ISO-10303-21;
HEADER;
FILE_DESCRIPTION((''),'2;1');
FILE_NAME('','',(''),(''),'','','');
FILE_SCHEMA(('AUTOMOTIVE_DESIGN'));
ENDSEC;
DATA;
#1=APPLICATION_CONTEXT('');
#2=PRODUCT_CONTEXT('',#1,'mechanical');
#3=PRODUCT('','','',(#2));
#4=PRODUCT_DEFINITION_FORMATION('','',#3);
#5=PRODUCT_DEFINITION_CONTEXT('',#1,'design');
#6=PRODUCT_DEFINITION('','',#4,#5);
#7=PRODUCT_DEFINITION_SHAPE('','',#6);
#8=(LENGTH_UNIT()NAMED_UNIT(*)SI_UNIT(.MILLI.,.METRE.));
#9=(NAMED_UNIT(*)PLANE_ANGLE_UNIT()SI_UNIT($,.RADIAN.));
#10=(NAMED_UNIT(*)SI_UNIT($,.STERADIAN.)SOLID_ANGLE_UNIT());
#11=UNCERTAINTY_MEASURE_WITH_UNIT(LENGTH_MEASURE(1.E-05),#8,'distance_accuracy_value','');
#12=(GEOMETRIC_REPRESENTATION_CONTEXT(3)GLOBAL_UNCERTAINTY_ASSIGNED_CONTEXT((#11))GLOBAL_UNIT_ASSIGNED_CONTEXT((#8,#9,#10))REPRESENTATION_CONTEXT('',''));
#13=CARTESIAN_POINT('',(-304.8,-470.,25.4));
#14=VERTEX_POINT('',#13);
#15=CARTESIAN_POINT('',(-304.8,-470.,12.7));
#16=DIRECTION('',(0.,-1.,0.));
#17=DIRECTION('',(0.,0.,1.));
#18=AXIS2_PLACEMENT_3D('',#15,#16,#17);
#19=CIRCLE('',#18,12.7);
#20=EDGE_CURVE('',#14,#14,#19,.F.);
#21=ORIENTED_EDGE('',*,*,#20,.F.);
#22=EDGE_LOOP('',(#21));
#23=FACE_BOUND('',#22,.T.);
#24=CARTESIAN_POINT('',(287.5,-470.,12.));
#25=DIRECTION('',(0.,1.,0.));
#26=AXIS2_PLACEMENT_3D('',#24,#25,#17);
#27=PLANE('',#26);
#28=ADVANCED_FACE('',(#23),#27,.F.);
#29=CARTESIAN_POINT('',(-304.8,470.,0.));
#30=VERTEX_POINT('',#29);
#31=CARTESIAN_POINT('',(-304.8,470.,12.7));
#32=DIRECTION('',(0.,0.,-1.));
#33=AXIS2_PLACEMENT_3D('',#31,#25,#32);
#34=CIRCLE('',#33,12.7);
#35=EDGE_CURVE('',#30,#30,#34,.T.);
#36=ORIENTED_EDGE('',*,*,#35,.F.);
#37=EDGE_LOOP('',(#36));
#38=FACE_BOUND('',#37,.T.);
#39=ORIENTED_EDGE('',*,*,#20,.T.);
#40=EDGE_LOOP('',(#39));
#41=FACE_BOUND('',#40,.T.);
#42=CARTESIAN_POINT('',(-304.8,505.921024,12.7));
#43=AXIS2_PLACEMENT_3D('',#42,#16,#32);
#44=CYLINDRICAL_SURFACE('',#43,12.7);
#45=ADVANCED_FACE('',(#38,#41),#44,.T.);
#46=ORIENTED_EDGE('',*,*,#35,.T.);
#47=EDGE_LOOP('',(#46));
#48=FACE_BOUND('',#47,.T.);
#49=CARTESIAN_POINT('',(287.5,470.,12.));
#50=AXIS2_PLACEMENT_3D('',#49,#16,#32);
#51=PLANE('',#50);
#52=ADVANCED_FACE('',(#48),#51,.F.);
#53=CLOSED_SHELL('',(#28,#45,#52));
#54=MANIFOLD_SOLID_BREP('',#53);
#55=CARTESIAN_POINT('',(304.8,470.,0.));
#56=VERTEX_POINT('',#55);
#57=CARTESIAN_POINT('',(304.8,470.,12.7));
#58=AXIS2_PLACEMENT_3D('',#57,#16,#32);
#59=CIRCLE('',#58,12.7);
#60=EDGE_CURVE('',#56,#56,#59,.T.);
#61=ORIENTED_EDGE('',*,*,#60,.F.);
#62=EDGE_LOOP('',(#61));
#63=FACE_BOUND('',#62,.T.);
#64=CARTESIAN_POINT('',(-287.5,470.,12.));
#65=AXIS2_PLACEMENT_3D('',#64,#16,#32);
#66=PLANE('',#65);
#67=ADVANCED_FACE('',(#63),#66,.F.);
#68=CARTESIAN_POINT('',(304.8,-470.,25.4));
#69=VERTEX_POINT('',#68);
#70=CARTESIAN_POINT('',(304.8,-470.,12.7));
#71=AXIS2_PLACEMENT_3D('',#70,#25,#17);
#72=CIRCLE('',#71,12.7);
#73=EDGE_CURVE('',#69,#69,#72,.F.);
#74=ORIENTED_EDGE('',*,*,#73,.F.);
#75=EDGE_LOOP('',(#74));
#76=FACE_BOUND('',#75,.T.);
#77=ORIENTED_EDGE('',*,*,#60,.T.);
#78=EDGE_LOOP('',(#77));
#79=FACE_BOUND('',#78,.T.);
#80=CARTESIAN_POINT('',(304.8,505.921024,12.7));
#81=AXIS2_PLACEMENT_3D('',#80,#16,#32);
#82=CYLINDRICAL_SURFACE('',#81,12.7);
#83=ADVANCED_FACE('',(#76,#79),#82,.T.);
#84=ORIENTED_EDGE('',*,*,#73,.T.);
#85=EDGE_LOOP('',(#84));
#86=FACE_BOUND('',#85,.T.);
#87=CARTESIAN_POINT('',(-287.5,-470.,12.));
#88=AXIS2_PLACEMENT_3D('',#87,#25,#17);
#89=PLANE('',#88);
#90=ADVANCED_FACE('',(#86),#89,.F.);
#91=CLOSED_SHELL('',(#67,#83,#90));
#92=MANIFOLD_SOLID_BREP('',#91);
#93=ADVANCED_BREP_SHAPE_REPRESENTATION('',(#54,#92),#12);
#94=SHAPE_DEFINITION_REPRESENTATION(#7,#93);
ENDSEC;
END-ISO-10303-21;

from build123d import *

# Parameters (mm, degrees)
SKETCH1_W                       = 575
SKETCH1_H                       = 940
SKETCH1_W_2                     = 480
SKETCH1_H_2                     = 370
BOSS_EXTRUDE1_DEPTH             = 12
BOSS_EXTRUDE2_REACH             = 553.09
SKETCH2_R                       = 12.7
BOSS_EXTRUDE2_DIRECTION_2_REACH = 553.09
SKETCH3_W                       = 575
SKETCH3_H                       = 940
CUT_EXTRUDE2_DEPTH              = 568.759993307


with BuildPart() as part:
    # Sketch1 → Boss-Extrude1 (new body)
    with BuildSketch(Plane.XY):
        Rectangle(SKETCH1_W, SKETCH1_H)
        with Locations((0, 245)):
            Rectangle(SKETCH1_W_2, SKETCH1_H_2, mode=Mode.SUBTRACT)
    extrude(amount=BOSS_EXTRUDE1_DEPTH)


with BuildPart() as body_2:

    # Boss-Extrude2: up to this face of the body (flat: up to its plane)
    boss_extrude2_end = Plane(part.part.faces().sort_by_distance((0, 470, 6))[0])
    # Sketch2 → Boss-Extrude2 (new, up to the picked face)
    with BuildSketch(Plane(origin=(0, 0, 0), x_dir=(1, 0, 0), z_dir=(0, 1, 0)), mode=Mode.PRIVATE) as boss_extrude2_sk1:
        with Locations(Location((304.8, -12.7, 0), (0, 0, 90))):
            Circle(SKETCH2_R)
    boss_extrude2_tool1 = split(extrude(boss_extrude2_sk1.sketch, amount=BOSS_EXTRUDE2_REACH, mode=Mode.PRIVATE), bisect_by=boss_extrude2_end, keep=Keep.BOTH, mode=Mode.PRIVATE)
    add(boss_extrude2_tool1.solids().sort_by(Axis((304.8, 0, 12.7), (0, 1, 0)))[0])


    # Boss-Extrude2 direction 2: up to this face of the body (flat: up to its plane)
    boss_extrude2_direction_2_end = Plane(part.part.faces().sort_by_distance((0, -470, 6))[0])
    # Sketch2 → Boss-Extrude2 direction 2 (add, up to the picked face)
    with BuildSketch(Plane(origin=(0, 0, 0), x_dir=(1, 0, 0), z_dir=(0, 1, 0)), mode=Mode.PRIVATE) as boss_extrude2_direction_2_sk1:
        with Locations(Location((304.8, -12.7, 0), (0, 0, 90))):
            Circle(SKETCH2_R)
    boss_extrude2_direction_2_tool1 = split(extrude(boss_extrude2_direction_2_sk1.sketch, amount=-BOSS_EXTRUDE2_DIRECTION_2_REACH, mode=Mode.PRIVATE), bisect_by=boss_extrude2_direction_2_end, keep=Keep.BOTH, mode=Mode.PRIVATE)
    add(boss_extrude2_direction_2_tool1.solids().sort_by(Axis((304.8, 0, 12.7), (0, -1, 0)))[0])


with BuildPart() as part_1:
    add(part.part)

    # Sketch3 → Cut-Extrude2 (cut, through all)
    with BuildSketch(Plane.XY):
        Rectangle(SKETCH3_W, SKETCH3_H)
    extrude(amount=CUT_EXTRUDE2_DEPTH, mode=Mode.SUBTRACT)


with BuildPart() as body_2_2:
    # Mirror2: mirrored copy
    add(body_2.part.mirror(Plane(origin=(0, 0, 0), x_dir=(0, 0, 1), z_dir=(1, 0, 0))))


solid = Compound([body_2.part, body_2_2.part])
